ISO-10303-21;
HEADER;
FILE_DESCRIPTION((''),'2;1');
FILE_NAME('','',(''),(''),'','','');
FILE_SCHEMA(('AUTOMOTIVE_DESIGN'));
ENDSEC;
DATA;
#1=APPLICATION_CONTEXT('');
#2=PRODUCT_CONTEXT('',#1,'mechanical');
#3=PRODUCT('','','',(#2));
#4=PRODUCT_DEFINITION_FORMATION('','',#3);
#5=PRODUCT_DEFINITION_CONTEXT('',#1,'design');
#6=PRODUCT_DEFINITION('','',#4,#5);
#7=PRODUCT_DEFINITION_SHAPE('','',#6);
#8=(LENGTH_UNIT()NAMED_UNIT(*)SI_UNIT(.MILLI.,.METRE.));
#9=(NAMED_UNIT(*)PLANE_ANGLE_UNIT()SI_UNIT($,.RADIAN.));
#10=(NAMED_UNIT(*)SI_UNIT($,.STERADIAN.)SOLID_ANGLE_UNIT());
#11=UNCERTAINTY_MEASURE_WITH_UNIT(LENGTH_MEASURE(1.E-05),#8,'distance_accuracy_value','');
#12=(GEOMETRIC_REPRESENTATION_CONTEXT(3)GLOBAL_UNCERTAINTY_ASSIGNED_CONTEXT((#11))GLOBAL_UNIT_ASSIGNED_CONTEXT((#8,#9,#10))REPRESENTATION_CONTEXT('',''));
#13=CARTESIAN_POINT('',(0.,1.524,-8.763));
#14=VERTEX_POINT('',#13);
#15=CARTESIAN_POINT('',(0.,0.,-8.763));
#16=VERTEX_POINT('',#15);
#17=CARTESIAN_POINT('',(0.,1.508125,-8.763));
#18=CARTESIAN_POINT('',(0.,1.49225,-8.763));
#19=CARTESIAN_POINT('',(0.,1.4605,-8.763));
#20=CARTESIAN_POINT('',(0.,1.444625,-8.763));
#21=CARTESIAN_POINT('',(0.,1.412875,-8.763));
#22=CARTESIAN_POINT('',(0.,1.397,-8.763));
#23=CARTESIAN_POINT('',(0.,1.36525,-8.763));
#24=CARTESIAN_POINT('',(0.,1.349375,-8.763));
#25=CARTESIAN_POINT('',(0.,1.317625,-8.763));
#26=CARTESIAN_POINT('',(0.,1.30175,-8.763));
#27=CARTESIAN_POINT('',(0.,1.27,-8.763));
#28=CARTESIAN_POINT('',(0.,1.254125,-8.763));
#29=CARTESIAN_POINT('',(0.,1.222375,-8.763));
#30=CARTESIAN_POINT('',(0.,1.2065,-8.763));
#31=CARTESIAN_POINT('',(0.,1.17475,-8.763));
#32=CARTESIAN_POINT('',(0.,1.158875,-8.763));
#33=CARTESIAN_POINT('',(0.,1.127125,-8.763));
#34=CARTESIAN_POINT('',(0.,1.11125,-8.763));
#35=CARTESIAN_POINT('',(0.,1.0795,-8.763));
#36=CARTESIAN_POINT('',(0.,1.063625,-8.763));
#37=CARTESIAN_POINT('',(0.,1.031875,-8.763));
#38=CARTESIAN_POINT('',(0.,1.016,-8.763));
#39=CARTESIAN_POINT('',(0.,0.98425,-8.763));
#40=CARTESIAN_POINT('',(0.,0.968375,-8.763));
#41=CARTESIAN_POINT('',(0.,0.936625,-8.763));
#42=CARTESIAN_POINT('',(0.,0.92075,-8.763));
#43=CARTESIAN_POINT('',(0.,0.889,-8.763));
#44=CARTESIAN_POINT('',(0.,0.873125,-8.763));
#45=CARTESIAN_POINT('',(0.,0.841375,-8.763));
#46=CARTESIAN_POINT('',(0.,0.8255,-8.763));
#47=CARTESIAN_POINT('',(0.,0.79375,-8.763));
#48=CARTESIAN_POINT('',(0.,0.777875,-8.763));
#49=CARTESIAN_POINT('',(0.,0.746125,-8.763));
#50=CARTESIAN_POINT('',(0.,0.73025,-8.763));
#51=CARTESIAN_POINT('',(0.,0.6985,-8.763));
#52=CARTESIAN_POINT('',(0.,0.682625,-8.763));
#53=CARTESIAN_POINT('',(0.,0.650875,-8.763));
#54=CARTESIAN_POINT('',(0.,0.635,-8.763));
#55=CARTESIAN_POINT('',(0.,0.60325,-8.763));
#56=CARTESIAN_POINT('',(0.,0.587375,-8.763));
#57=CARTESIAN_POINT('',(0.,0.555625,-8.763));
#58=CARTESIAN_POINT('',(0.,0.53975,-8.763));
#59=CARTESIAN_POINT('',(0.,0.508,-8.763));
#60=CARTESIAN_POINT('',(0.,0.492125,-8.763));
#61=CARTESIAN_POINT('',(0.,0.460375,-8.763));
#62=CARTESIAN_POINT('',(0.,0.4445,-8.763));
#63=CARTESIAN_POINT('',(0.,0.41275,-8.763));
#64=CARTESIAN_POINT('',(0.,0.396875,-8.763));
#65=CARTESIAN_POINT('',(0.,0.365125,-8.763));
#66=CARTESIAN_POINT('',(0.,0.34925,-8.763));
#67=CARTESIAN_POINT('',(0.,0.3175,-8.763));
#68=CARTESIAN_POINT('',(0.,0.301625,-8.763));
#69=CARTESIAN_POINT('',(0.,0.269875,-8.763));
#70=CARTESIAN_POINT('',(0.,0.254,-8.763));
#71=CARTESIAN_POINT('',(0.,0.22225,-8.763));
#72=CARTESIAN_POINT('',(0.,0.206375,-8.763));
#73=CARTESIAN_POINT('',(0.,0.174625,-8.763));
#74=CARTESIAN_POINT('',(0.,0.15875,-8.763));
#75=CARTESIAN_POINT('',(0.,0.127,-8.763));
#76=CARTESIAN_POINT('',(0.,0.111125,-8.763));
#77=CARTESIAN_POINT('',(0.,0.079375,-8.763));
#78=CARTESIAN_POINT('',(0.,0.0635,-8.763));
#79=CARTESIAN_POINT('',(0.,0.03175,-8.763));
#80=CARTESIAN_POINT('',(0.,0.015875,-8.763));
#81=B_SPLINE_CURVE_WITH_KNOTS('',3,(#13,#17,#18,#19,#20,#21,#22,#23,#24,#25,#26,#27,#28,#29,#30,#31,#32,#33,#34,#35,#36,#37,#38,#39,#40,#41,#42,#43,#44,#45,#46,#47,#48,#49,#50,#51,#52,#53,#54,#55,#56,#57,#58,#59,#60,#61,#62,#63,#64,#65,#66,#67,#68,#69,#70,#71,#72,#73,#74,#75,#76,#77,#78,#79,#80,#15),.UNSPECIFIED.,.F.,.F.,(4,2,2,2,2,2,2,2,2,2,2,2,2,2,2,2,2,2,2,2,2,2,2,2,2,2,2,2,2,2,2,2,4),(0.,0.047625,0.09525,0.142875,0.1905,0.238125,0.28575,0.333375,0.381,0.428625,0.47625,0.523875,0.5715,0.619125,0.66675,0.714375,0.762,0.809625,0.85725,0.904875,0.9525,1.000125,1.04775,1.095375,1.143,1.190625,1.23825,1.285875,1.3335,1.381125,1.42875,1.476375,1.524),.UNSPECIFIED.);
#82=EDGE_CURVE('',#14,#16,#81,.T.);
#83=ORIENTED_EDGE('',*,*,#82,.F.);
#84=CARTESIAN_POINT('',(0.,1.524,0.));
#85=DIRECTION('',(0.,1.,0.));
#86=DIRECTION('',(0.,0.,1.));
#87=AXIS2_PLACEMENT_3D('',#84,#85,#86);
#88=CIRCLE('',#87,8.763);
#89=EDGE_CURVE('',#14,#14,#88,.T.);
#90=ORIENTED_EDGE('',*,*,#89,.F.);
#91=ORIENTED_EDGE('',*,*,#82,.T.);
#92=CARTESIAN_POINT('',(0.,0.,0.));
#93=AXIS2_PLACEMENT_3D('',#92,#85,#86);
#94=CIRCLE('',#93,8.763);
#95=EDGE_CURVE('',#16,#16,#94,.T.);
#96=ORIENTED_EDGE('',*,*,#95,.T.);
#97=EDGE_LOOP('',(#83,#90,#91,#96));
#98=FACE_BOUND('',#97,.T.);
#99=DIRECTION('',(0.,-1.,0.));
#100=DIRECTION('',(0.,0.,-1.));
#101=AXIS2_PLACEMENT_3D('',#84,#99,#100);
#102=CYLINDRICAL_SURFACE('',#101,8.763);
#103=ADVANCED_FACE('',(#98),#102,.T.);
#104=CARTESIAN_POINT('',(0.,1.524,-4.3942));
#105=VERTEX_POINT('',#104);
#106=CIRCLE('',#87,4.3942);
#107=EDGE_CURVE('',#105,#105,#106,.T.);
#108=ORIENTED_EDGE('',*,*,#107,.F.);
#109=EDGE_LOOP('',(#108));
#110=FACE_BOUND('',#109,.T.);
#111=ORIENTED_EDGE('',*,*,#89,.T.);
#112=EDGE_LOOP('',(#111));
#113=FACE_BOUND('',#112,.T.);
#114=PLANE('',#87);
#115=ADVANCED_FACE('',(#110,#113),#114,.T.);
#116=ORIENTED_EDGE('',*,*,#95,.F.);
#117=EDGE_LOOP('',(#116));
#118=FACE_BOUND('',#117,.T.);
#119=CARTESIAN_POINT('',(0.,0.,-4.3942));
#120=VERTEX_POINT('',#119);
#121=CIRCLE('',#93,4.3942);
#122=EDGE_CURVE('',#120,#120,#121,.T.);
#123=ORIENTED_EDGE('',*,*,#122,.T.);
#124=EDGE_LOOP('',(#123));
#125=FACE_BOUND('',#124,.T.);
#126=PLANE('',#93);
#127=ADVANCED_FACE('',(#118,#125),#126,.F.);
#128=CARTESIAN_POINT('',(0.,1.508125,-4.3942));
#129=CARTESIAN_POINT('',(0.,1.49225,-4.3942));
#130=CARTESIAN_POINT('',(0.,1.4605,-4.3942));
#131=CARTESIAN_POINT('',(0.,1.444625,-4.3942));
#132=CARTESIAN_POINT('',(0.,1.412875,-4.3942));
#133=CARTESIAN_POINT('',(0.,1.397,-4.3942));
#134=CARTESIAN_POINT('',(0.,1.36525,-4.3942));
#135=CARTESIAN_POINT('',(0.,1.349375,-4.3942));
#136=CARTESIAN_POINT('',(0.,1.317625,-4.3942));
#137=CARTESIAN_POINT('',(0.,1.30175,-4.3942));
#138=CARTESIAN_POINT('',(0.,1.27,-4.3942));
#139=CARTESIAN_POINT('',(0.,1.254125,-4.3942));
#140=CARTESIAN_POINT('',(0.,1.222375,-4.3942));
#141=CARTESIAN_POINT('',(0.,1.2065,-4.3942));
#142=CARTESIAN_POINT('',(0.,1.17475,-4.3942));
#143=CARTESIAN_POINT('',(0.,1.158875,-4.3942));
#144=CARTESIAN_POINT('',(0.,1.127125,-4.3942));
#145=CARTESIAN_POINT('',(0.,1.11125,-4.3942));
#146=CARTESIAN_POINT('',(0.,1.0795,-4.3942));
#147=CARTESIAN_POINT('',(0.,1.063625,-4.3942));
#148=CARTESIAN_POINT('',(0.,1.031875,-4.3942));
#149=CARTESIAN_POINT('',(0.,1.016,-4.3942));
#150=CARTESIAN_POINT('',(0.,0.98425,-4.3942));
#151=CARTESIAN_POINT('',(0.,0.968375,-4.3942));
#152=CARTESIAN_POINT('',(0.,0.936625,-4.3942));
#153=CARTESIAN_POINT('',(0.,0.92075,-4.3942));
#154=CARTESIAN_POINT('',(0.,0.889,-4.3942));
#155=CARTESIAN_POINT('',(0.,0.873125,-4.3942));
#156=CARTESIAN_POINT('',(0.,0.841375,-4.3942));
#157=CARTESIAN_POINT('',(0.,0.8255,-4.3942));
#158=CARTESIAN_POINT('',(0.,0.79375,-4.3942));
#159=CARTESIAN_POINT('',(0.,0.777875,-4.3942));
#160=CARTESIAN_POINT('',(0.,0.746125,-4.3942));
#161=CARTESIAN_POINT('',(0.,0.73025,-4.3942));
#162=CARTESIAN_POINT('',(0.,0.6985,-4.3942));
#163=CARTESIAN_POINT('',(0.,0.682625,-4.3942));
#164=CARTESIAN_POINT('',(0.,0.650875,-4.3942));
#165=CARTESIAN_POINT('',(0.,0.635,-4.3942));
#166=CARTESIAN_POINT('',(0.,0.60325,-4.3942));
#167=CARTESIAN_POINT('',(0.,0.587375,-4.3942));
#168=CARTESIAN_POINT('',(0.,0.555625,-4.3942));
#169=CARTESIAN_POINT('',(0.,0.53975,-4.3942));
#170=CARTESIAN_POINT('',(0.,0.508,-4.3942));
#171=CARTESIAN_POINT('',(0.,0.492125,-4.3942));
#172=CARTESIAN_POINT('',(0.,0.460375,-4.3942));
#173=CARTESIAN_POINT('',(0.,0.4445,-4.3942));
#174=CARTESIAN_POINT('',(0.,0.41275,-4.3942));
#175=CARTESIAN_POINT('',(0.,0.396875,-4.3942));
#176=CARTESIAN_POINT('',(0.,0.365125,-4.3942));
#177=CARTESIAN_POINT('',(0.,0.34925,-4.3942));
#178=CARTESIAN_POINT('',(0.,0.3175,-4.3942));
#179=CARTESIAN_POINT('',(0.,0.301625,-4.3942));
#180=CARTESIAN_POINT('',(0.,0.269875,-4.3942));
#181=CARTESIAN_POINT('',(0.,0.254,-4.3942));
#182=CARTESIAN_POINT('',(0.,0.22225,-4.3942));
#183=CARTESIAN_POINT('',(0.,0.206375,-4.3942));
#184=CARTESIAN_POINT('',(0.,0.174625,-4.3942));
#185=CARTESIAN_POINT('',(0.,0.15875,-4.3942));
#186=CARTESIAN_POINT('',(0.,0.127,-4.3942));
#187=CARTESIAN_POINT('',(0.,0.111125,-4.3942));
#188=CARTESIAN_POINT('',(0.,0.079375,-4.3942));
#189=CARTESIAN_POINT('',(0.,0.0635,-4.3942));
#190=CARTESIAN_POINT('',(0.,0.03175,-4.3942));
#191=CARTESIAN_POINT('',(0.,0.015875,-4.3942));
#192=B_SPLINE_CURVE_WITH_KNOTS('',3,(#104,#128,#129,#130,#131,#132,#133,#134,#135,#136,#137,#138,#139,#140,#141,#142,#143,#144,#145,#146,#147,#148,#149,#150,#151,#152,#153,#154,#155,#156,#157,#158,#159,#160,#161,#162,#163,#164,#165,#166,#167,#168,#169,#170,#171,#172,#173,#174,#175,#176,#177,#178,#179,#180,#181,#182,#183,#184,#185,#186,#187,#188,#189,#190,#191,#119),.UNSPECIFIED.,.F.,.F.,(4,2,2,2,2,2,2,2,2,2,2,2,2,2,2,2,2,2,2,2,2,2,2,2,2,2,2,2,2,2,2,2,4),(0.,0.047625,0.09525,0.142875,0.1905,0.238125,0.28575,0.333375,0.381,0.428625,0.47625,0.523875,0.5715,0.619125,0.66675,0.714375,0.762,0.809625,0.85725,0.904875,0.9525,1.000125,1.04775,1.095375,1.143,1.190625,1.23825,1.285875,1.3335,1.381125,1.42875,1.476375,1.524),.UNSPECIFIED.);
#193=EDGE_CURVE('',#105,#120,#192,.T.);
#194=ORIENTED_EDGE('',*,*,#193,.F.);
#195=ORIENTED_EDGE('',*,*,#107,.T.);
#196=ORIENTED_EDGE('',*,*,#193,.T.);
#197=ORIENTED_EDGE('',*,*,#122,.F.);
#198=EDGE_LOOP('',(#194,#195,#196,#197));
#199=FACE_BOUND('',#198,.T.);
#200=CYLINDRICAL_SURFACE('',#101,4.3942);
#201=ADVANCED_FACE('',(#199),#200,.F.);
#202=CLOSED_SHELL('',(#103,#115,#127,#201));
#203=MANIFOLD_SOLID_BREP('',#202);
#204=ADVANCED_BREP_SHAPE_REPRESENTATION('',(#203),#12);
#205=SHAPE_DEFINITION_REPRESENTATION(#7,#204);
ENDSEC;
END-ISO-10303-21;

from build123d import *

# Parameters (mm, degrees)
SKETCH1_R      = 8.763
SKETCH1_R_2    = 4.3942
EXTRUDE1_DEPTH = 1.524


with BuildPart() as part:
    # Sketch1 → Extrude1 (new body)
    with BuildSketch(Plane(origin=(0, 0, 0), x_dir=(1, 0, 0), z_dir=(0, 1, 0))):
        with Locations(Location((0, 0, 0), (0, 0, 90))):
            Circle(SKETCH1_R)
        with Locations(Location((0, 0, 0), (0, 0, 90))):
            Circle(SKETCH1_R_2, mode=Mode.SUBTRACT)
    extrude(amount=EXTRUDE1_DEPTH)


solid = part.part
